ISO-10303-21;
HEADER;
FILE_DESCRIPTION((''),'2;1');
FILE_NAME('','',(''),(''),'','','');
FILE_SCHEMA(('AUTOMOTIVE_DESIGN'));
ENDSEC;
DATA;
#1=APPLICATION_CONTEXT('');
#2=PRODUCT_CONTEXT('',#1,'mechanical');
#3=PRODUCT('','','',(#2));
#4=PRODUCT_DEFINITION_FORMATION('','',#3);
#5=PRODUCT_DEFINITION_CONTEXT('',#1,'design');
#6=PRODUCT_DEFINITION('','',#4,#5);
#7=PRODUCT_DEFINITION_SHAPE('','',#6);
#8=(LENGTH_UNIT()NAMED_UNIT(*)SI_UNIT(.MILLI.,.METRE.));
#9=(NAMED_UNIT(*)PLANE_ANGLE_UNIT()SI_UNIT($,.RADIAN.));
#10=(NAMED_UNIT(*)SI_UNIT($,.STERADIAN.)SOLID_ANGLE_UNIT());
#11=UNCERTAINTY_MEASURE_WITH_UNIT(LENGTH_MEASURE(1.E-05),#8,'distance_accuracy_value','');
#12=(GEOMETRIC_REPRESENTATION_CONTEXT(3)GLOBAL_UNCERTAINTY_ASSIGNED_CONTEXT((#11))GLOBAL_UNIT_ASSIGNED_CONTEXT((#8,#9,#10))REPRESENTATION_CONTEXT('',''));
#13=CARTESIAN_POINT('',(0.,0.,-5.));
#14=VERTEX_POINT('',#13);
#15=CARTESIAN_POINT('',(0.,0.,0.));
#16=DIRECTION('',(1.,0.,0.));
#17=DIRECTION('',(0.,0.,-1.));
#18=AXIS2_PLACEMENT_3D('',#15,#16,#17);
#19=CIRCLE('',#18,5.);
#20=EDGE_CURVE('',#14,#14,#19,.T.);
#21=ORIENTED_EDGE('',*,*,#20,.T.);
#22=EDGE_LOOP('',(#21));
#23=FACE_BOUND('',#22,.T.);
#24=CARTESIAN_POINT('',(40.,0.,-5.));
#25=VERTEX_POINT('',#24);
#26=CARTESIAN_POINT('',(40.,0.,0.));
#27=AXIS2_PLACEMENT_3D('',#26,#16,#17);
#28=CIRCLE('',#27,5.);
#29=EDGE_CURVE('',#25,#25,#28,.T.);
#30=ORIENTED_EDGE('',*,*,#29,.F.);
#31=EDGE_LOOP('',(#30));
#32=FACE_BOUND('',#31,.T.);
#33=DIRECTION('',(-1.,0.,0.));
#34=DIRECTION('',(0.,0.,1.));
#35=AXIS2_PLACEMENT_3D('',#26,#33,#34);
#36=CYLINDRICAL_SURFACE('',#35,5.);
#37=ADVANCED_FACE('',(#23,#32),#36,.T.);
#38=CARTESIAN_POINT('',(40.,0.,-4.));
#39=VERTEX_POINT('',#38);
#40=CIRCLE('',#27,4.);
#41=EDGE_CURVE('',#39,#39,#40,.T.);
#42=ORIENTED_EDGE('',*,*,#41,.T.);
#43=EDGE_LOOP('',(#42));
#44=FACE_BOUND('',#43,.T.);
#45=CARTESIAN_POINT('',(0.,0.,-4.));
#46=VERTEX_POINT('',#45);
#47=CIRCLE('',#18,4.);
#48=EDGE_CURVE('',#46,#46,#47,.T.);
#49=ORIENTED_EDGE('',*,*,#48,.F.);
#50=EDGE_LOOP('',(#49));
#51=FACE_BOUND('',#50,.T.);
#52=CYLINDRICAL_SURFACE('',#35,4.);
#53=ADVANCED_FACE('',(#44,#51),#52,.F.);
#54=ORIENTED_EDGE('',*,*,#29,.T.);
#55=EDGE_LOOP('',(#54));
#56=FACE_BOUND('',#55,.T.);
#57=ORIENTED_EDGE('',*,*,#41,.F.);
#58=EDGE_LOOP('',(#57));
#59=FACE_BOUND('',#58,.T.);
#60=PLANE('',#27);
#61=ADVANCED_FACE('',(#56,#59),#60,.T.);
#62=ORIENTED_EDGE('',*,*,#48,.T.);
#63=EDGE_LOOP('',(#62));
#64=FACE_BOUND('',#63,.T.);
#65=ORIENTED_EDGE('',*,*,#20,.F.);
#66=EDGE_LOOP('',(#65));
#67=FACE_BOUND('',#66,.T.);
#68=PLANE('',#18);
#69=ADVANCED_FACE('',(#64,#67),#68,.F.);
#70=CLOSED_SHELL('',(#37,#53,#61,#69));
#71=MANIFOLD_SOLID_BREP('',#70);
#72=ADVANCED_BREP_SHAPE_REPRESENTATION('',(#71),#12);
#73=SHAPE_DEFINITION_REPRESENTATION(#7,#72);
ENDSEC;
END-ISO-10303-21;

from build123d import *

# Parameters (mm, degrees)
SKETCH_1_R      = 5
SKETCH_1_R_2    = 4
EXTRUDE_1_DEPTH = 40


with BuildPart() as part:
    # 草图1 → 凸台-拉伸1 (new body)
    with BuildSketch(Plane(origin=(0, 0, 0), x_dir=(0, 0, -1), z_dir=(1, 0, 0))):
        Circle(SKETCH_1_R)
        Circle(SKETCH_1_R_2, mode=Mode.SUBTRACT)
    extrude(amount=EXTRUDE_1_DEPTH)


solid = part.part
